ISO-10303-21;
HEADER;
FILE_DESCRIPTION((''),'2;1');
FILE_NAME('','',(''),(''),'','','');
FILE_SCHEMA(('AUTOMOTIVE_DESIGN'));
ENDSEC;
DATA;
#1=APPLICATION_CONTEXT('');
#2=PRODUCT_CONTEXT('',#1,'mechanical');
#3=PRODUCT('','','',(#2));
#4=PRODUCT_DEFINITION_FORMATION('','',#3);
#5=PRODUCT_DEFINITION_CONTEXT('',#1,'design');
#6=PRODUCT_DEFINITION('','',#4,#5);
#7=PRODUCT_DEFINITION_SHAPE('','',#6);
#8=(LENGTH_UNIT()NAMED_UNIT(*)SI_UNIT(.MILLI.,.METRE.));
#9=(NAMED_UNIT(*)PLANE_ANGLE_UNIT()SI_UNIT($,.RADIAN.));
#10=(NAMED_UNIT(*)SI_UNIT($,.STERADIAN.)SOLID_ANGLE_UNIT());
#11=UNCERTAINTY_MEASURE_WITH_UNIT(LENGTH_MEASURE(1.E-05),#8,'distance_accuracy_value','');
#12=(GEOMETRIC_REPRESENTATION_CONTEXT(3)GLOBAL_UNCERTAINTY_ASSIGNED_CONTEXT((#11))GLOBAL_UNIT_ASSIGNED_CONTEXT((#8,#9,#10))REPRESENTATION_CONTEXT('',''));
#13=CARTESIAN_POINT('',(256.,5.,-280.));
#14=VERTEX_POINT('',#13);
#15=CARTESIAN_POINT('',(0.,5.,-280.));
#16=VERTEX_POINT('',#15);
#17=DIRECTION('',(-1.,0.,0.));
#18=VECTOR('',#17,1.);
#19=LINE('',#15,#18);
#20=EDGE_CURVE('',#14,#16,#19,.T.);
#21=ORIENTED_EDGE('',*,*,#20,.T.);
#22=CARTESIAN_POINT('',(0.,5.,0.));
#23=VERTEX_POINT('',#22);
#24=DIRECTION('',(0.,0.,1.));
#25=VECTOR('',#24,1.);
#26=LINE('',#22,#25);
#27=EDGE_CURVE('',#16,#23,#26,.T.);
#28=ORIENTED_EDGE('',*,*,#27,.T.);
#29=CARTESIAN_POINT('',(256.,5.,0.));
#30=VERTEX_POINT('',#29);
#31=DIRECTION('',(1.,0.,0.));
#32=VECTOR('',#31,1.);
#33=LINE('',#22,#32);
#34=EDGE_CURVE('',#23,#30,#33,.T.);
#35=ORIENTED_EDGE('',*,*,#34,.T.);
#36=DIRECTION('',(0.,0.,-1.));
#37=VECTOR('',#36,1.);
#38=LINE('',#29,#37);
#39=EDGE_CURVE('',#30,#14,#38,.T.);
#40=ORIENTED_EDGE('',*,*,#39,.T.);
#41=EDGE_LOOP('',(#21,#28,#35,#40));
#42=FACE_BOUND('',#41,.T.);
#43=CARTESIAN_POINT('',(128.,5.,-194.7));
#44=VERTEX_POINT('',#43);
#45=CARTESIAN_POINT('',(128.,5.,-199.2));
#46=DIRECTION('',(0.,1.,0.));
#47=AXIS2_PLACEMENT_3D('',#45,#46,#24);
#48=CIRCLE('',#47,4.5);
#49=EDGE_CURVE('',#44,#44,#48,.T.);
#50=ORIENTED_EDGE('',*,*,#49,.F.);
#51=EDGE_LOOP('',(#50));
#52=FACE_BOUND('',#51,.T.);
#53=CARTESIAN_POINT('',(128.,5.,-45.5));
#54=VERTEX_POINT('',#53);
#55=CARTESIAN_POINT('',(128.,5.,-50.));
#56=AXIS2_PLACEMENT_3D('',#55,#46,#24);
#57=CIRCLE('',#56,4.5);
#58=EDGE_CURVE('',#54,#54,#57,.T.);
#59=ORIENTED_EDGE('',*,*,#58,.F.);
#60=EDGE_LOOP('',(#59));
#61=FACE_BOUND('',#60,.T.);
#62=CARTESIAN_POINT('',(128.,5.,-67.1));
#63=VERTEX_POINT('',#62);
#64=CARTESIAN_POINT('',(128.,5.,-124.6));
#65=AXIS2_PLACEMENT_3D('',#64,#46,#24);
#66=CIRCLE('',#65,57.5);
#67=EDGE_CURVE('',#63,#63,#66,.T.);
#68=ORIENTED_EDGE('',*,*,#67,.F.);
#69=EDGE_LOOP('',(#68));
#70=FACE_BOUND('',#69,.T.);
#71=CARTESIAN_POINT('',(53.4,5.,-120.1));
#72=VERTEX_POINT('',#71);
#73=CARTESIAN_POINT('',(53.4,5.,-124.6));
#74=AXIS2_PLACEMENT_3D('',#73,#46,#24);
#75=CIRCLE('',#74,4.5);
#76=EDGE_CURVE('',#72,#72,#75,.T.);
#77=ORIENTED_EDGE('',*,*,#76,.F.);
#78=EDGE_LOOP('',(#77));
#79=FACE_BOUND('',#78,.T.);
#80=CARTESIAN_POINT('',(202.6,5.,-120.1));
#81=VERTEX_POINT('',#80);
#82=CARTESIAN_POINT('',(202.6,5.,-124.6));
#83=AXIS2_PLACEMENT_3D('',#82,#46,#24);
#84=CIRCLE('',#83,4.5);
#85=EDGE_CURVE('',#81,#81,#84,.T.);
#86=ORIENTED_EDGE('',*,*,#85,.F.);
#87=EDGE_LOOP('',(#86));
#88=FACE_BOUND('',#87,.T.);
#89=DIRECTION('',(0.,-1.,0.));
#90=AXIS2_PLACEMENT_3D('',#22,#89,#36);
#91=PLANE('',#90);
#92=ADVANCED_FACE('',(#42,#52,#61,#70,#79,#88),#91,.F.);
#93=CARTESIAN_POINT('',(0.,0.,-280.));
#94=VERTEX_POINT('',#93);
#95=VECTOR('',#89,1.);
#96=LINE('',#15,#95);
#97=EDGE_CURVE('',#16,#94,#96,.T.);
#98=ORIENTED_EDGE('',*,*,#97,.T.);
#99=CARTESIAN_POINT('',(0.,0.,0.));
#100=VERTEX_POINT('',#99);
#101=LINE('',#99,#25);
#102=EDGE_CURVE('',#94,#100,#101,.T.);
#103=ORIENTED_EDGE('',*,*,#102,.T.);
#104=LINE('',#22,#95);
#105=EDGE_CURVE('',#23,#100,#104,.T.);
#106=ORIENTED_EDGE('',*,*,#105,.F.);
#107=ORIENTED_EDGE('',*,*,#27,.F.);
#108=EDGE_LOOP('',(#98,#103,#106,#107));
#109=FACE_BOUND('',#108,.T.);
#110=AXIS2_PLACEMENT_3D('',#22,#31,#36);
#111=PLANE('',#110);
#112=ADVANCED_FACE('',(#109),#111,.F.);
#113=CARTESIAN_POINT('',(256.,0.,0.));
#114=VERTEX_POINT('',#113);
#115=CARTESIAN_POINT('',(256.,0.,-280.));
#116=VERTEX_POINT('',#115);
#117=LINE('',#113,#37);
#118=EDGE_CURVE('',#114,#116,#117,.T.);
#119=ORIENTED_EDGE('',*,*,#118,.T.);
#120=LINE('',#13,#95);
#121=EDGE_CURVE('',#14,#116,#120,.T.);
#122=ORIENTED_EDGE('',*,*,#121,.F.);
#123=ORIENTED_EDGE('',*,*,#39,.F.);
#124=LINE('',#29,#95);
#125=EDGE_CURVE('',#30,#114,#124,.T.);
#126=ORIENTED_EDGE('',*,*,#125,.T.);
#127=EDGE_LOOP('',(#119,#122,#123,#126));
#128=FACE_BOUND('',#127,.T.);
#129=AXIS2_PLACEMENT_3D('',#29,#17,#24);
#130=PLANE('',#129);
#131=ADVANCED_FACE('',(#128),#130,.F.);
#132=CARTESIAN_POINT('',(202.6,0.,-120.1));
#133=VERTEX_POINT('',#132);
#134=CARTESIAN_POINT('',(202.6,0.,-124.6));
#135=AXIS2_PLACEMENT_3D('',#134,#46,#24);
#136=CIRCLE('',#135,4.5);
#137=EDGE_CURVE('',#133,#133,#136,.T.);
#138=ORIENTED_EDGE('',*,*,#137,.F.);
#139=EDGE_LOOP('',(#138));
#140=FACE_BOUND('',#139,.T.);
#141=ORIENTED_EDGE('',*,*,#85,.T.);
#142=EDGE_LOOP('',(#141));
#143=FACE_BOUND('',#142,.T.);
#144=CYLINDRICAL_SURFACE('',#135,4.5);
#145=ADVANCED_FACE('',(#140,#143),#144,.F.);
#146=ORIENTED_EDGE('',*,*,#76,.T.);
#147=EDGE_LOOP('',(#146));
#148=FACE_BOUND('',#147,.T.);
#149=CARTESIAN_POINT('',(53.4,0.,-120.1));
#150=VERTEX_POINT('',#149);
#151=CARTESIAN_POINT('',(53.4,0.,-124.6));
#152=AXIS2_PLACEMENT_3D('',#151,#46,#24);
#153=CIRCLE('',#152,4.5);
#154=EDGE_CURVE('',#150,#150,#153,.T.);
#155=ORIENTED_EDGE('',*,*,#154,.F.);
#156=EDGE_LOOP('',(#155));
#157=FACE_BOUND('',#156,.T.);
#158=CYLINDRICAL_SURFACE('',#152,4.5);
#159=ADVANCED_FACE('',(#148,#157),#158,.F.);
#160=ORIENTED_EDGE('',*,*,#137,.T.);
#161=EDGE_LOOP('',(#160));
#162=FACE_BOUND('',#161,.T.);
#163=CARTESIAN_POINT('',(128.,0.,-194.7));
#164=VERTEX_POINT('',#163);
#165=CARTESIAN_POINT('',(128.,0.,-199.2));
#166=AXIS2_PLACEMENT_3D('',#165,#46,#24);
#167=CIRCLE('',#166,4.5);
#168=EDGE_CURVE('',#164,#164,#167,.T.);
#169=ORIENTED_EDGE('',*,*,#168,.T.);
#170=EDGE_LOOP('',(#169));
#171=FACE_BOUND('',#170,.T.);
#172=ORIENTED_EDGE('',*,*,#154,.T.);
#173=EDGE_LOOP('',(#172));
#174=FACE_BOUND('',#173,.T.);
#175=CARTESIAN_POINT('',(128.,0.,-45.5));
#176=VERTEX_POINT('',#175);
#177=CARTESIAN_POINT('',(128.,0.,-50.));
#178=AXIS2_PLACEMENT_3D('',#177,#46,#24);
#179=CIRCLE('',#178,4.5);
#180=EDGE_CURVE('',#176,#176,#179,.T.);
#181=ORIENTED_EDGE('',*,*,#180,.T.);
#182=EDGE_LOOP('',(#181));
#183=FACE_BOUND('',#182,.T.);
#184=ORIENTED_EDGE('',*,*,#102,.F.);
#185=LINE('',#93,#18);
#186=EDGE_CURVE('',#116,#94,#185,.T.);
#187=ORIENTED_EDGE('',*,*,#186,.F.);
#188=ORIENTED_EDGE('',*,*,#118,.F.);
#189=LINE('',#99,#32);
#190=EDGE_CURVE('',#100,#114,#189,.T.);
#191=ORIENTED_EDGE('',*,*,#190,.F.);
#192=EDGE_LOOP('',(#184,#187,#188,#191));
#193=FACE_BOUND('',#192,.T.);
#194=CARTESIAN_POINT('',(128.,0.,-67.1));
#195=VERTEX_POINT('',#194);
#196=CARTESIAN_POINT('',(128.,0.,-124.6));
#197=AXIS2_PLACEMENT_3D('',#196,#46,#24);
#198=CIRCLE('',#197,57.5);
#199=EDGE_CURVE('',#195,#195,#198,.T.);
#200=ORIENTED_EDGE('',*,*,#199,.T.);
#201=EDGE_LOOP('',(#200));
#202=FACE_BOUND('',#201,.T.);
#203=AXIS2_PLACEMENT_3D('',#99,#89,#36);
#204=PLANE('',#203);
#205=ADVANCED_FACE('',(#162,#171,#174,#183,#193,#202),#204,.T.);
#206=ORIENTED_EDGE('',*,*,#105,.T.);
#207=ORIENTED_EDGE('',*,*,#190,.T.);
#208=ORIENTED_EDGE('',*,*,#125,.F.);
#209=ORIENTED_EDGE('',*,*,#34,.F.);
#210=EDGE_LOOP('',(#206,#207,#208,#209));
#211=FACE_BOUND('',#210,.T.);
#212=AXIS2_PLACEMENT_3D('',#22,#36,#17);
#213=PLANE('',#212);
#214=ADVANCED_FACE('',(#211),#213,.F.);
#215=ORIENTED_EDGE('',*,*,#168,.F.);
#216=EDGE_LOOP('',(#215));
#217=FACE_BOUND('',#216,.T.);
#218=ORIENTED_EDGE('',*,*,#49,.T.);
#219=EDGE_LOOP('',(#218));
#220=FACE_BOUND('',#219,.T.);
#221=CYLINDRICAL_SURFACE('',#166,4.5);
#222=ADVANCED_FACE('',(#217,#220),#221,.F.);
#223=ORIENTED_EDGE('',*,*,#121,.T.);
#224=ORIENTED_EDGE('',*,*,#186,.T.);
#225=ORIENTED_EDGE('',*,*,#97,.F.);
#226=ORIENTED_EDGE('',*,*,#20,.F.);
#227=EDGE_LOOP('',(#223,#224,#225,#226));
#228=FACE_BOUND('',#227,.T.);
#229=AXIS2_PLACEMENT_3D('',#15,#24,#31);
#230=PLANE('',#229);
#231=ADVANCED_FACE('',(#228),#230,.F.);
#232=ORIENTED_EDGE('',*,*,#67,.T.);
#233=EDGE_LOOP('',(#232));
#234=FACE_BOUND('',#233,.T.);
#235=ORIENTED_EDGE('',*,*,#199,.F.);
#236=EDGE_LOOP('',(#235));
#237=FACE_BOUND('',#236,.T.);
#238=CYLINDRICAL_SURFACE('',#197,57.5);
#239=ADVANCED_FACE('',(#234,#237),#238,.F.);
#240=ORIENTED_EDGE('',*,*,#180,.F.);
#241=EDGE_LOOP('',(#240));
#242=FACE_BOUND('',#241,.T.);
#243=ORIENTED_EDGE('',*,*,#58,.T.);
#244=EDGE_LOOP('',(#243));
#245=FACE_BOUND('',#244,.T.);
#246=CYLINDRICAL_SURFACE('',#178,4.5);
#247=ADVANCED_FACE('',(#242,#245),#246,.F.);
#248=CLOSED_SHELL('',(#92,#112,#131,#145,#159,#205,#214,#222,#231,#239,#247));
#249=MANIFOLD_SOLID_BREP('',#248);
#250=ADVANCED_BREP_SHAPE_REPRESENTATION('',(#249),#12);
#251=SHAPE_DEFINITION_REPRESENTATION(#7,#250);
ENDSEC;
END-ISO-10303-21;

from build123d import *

# Parameters (mm, degrees)
SZKIC1_W                    = 256
SZKIC1_H                    = 280
DODANIE_WYCI_GNI_CIE1_DEPTH = 5
SZKIC2_R                    = 57.5
SZKIC2_R_2                  = 4.5
WYTNIJ_WYCI_GNI_CIE1_DEPTH  = 5


with BuildPart() as part:
    # Szkic1 → Dodanie-wyciągnięcie1 (new body)
    with BuildSketch(Plane(origin=(0, 0, 0), x_dir=(1, 0, 0), z_dir=(0, 1, 0))):
        with Locations((128, 140)):
            Rectangle(SZKIC1_W, SZKIC1_H)
    extrude(amount=DODANIE_WYCI_GNI_CIE1_DEPTH)

    # Szkic2 → Wytnij-wyciągnięcie1 (cut)
    with BuildSketch(Plane(origin=(0, 5, 0), x_dir=(1, 0, 0), z_dir=(0, 1, 0))):
        with Locations(Location((128, 124.6, 0), (0, 0, 270))):
            Circle(SZKIC2_R)
        with Locations(Location((128, 199.2, 0), (0, 0, 270))):
            Circle(SZKIC2_R_2)
        with Locations(Location((202.6, 124.6, 0), (0, 0, 270))):
            Circle(SZKIC2_R_2)
        with Locations(Location((128, 50, 0), (0, 0, 270))):
            Circle(SZKIC2_R_2)
        with Locations(Location((53.4, 124.6, 0), (0, 0, 270))):
            Circle(SZKIC2_R_2)
    extrude(amount=-WYTNIJ_WYCI_GNI_CIE1_DEPTH, mode=Mode.SUBTRACT)


solid = part.part
